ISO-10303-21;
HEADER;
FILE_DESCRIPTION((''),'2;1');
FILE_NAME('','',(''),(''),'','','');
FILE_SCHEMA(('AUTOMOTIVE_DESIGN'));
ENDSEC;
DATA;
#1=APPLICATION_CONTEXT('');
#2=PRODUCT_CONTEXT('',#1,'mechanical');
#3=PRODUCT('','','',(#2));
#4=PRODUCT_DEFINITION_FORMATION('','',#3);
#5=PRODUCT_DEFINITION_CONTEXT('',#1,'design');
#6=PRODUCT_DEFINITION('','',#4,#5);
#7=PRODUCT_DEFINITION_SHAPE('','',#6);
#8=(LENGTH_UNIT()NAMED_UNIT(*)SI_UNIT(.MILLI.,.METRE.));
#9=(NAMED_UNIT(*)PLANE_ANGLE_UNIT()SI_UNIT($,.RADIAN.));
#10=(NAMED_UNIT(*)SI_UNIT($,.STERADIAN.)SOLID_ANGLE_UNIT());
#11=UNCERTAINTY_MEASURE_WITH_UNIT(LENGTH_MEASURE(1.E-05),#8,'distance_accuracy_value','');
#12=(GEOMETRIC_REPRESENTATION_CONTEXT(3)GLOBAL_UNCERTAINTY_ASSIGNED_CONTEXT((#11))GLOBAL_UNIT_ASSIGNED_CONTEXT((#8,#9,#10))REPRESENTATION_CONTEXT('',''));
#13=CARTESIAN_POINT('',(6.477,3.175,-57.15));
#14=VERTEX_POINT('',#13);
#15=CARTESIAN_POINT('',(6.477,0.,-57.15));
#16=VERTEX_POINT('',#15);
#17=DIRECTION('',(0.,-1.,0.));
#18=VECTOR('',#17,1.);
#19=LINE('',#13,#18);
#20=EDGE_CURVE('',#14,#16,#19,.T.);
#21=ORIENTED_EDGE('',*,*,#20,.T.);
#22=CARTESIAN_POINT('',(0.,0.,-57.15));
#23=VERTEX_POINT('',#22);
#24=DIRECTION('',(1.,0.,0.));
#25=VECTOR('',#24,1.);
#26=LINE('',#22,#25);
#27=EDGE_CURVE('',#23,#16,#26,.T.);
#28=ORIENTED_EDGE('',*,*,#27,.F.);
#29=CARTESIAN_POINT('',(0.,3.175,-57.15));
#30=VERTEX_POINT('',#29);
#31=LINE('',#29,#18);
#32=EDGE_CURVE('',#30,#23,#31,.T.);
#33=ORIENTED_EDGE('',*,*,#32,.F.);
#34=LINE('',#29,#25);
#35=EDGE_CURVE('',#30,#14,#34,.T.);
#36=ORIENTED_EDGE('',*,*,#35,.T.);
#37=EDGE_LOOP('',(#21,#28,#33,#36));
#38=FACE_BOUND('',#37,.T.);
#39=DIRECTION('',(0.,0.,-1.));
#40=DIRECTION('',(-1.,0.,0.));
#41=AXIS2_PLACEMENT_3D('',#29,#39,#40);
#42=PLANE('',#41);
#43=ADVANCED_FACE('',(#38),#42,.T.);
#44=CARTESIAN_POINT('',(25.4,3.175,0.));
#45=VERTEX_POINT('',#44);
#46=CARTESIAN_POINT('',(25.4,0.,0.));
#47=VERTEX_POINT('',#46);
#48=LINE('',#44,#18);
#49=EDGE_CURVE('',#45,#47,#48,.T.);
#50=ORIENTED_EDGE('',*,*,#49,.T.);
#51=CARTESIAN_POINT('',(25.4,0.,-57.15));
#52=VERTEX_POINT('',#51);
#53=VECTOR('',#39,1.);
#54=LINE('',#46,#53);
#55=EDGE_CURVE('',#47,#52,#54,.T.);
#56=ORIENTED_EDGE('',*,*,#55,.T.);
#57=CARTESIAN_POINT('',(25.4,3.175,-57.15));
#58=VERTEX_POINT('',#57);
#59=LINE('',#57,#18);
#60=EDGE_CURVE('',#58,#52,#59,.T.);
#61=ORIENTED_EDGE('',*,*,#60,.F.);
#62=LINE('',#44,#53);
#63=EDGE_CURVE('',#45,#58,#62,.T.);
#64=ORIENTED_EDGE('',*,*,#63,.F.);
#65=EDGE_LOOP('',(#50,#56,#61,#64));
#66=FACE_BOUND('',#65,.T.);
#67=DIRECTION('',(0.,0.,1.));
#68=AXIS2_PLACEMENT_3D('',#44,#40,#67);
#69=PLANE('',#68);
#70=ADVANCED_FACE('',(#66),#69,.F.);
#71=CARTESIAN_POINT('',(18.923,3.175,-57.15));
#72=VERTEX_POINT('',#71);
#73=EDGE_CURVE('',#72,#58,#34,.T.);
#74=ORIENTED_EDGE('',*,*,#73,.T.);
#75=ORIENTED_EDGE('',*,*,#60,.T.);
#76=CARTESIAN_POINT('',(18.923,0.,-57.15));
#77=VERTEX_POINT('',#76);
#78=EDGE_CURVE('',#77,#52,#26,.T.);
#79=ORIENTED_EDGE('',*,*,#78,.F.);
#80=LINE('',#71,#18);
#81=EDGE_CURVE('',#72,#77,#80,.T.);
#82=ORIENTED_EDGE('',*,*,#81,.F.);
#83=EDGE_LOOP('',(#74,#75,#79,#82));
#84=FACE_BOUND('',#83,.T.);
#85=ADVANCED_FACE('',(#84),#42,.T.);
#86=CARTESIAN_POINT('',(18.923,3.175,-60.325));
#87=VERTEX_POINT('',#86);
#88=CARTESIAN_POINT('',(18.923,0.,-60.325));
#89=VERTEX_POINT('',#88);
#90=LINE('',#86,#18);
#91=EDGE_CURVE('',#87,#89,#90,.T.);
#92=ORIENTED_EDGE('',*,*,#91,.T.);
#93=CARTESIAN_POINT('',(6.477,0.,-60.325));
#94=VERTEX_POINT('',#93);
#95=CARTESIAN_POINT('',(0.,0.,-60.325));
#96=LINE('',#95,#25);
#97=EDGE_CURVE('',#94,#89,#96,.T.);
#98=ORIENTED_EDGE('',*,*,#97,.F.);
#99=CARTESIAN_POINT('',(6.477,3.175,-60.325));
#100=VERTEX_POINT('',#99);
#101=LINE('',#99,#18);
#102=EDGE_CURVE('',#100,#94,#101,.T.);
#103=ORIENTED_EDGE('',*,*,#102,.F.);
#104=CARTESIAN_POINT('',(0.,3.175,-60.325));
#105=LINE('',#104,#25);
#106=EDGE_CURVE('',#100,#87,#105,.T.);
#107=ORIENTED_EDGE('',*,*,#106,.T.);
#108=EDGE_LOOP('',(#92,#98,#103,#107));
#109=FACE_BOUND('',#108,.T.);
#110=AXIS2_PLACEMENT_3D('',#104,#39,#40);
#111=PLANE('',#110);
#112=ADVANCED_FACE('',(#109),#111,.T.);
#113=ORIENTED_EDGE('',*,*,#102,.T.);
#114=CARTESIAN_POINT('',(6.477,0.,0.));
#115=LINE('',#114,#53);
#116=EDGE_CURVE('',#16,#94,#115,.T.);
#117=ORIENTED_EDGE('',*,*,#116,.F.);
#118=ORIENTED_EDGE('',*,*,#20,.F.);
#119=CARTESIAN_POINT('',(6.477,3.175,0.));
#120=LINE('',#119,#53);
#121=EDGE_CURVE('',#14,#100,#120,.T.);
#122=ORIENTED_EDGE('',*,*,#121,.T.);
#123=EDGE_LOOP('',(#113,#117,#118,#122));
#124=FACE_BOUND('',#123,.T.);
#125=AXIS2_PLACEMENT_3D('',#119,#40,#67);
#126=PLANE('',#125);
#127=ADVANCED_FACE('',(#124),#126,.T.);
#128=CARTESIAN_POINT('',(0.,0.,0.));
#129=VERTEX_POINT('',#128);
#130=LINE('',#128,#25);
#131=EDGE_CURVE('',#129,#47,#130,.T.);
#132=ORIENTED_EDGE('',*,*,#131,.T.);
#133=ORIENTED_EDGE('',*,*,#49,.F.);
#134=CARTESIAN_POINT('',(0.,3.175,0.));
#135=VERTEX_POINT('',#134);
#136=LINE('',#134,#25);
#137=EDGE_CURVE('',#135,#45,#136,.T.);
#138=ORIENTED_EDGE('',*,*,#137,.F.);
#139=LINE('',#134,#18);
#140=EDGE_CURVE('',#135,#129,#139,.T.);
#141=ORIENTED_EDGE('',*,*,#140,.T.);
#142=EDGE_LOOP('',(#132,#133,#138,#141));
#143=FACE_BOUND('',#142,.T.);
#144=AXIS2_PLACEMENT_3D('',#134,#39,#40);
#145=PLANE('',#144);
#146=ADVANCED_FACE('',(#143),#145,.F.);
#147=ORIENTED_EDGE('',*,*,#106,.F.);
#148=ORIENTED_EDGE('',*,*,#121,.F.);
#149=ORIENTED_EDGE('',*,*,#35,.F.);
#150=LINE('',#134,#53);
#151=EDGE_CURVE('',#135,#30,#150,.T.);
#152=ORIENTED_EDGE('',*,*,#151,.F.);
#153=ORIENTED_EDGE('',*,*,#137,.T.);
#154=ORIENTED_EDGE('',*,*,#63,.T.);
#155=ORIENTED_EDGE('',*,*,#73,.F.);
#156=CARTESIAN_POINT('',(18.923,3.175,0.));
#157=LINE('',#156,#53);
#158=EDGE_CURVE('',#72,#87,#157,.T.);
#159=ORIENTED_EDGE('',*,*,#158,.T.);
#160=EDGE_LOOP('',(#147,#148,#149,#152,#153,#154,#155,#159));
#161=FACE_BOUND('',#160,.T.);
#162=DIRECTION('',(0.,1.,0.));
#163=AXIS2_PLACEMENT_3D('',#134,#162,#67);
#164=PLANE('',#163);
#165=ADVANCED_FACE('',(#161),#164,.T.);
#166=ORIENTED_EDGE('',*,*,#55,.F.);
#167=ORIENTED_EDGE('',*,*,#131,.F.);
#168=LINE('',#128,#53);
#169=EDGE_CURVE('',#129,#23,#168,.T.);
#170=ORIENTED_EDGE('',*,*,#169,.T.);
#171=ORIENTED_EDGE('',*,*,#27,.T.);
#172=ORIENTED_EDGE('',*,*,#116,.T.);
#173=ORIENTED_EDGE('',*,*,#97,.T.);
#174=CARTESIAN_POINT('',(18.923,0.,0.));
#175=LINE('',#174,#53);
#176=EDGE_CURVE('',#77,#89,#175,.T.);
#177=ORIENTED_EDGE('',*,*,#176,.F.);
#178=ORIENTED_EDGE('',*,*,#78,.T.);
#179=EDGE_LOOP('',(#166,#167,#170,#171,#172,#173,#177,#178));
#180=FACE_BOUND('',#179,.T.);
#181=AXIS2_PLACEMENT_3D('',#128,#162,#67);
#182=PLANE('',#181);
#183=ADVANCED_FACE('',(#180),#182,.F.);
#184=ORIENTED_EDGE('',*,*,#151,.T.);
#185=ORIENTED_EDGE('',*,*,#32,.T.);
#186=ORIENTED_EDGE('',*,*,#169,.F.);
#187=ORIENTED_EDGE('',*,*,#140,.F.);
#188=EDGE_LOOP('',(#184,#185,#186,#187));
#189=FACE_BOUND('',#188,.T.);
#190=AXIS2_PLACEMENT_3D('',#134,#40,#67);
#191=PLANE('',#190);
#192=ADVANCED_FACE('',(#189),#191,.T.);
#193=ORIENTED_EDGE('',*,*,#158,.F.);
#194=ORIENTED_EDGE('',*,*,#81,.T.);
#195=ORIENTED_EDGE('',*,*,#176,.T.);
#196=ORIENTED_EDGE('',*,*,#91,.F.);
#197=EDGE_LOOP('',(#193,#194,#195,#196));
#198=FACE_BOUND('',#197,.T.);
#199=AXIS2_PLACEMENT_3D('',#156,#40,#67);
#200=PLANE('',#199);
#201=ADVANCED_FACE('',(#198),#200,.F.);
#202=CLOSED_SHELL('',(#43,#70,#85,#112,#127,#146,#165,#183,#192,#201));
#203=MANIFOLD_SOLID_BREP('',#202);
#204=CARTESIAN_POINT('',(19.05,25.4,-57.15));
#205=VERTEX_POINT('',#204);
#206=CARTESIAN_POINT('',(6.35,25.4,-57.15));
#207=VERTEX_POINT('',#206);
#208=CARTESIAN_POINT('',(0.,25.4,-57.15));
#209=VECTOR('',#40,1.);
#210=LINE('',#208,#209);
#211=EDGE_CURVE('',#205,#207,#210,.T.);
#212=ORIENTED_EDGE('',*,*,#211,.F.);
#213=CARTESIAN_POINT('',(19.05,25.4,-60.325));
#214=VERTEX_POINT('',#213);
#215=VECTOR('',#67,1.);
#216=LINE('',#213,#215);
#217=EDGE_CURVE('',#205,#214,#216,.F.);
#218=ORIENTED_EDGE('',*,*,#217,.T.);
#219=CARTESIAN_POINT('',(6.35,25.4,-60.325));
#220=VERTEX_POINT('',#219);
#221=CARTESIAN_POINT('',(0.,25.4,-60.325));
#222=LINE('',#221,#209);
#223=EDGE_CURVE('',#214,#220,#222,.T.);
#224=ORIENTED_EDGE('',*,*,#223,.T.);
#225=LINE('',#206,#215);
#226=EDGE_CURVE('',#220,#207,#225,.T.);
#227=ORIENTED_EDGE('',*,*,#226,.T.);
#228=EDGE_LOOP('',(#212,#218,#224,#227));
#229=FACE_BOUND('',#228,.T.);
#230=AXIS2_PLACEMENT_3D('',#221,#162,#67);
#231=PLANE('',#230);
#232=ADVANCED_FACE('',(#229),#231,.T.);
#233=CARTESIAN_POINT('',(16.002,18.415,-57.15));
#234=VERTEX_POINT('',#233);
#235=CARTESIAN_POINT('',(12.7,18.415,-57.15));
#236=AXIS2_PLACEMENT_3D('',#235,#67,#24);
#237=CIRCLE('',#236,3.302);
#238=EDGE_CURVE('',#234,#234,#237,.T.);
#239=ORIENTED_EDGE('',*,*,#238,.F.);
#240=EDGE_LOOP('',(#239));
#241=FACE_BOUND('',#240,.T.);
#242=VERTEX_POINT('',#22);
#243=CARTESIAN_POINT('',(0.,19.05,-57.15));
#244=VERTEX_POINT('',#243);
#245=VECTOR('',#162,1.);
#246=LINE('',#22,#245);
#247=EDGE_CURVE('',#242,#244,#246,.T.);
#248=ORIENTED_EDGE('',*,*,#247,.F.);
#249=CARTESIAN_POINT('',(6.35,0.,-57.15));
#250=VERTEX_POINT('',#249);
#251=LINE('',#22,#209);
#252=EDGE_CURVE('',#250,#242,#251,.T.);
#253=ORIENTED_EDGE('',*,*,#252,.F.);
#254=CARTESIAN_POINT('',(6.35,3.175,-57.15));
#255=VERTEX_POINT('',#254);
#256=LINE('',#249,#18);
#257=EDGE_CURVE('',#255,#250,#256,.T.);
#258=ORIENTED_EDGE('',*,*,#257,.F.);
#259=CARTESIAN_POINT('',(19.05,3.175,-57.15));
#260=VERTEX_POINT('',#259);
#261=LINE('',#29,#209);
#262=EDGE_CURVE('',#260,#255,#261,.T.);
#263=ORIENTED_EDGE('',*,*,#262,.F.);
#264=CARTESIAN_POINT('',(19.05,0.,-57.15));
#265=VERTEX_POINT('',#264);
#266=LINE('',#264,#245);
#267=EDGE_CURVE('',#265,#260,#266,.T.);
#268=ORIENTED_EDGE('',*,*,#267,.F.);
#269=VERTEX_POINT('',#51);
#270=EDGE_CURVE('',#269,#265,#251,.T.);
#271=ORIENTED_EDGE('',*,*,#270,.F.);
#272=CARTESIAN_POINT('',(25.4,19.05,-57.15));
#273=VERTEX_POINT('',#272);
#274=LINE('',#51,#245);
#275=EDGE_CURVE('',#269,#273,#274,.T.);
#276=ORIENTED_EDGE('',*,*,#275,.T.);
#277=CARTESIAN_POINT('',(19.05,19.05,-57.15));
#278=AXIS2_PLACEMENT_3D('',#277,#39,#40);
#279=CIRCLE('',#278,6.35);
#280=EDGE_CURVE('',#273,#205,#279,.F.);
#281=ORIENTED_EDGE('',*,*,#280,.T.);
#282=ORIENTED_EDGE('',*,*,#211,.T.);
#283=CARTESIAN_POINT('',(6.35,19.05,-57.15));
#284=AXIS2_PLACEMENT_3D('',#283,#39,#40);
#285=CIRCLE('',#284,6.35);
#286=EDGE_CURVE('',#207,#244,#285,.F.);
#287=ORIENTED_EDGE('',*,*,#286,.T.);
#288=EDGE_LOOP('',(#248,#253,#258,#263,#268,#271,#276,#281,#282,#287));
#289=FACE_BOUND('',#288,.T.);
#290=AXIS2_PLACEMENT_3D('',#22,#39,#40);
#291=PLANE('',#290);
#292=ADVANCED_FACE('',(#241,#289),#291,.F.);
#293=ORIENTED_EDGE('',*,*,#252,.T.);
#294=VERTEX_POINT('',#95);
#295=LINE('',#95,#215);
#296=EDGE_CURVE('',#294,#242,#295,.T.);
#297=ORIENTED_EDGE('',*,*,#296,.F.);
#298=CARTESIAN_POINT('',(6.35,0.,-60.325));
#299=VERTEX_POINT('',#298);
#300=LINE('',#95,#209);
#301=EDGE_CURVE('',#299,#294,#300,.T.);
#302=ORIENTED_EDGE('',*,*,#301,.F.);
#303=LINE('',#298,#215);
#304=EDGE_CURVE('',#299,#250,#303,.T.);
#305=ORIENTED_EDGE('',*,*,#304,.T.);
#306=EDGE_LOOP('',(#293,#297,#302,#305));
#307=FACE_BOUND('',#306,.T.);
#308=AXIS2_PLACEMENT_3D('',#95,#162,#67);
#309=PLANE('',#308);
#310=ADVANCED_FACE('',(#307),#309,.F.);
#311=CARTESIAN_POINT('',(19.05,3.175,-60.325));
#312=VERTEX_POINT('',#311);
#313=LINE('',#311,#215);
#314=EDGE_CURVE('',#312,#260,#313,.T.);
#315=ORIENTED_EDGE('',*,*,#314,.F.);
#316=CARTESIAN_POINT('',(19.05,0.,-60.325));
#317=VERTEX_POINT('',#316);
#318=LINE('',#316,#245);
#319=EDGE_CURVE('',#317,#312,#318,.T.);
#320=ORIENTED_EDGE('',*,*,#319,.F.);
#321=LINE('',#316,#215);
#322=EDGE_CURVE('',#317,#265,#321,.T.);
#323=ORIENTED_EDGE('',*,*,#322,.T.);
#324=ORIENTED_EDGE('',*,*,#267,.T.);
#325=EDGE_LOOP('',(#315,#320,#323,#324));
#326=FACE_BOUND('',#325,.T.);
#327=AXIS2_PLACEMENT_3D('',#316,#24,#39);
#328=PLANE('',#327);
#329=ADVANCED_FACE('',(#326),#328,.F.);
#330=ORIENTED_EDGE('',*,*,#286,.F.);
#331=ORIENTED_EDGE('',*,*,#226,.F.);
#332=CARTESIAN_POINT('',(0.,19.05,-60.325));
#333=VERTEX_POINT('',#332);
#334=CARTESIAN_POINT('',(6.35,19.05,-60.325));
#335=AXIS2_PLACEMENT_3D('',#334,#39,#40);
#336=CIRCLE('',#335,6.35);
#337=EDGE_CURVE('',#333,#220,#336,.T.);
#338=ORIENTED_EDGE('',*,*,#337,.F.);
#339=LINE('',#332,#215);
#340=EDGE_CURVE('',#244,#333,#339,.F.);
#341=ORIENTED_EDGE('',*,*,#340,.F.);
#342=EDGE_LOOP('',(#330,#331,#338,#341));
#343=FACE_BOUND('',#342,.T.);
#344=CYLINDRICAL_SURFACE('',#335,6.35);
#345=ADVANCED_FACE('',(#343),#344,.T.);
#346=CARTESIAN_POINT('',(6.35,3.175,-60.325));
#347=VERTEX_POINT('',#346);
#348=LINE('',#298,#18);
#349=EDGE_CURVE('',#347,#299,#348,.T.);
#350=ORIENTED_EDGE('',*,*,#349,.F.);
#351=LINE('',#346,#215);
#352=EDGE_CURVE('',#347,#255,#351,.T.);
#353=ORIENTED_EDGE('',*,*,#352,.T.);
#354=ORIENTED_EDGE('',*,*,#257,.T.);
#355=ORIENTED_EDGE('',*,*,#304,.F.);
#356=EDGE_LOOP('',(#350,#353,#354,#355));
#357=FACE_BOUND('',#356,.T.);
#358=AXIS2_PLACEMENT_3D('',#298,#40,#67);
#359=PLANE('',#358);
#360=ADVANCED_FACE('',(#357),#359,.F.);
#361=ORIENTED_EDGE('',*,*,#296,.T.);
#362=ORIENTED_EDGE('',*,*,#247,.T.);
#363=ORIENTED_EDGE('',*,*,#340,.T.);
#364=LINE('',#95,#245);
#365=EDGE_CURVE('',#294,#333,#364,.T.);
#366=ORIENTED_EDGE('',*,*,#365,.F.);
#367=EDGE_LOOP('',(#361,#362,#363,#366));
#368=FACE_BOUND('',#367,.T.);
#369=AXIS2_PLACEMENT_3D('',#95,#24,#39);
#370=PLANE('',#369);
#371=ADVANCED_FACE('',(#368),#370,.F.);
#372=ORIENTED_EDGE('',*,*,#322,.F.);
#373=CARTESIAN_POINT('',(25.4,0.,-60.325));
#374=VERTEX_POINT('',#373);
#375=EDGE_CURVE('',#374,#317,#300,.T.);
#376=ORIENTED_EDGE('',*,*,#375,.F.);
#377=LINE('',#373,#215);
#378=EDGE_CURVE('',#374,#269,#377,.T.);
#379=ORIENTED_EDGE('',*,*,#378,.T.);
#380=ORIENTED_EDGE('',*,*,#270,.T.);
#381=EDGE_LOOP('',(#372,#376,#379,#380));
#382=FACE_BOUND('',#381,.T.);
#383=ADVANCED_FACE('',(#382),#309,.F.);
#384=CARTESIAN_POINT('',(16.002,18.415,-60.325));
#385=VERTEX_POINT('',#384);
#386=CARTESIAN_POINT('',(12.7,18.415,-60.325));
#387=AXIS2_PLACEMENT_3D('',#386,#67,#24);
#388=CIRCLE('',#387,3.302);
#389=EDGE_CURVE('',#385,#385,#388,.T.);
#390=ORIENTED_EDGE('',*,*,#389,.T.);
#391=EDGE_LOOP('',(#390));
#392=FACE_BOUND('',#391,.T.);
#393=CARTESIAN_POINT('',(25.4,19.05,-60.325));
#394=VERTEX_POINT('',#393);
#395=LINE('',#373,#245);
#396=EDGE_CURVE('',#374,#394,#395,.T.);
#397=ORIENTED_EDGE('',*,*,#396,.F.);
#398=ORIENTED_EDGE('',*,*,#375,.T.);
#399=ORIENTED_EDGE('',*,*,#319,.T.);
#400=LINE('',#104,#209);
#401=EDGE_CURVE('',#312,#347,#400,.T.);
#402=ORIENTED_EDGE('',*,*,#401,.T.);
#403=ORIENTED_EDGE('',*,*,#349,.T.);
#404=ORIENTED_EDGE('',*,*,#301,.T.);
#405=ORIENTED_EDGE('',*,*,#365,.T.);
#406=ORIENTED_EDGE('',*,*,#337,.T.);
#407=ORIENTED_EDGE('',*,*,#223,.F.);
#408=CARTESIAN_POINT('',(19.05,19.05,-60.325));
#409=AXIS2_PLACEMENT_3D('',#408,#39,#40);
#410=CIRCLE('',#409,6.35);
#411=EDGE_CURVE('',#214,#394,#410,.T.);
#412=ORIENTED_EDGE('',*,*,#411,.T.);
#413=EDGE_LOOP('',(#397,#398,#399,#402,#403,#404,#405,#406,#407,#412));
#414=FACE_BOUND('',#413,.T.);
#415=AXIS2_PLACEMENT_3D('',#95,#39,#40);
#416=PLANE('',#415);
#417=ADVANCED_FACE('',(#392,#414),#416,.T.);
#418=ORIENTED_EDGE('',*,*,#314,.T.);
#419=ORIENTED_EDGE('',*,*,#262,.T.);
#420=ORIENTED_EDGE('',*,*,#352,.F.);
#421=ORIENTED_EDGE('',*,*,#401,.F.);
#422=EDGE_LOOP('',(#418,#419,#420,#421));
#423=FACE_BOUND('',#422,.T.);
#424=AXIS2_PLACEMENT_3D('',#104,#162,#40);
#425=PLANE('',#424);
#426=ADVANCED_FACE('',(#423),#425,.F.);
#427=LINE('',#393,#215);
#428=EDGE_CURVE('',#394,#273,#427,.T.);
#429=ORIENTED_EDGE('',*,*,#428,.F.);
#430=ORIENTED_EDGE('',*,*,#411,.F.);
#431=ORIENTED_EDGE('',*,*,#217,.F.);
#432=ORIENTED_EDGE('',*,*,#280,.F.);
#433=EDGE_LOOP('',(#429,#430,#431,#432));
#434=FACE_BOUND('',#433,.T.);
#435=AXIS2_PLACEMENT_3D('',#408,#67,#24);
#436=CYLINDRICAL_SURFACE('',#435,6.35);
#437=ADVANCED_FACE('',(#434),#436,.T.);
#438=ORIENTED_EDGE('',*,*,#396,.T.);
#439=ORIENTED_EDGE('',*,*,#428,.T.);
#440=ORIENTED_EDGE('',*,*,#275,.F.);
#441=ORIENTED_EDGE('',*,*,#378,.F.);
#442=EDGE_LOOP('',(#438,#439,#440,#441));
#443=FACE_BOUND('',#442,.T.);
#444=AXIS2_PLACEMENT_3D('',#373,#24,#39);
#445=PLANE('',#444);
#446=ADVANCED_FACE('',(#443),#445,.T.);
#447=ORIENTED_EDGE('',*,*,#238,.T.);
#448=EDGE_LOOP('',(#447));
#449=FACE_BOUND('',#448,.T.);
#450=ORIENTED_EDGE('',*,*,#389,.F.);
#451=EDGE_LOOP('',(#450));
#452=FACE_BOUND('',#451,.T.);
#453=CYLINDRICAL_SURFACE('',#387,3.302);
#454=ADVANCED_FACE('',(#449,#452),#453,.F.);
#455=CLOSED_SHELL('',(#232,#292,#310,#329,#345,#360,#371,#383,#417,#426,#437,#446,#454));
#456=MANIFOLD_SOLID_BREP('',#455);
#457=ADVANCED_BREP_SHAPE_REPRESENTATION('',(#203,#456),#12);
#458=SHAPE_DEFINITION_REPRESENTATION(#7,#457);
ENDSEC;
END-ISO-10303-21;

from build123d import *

# Parameters (mm, degrees)
SKETCH1_W           = 25.4
SKETCH1_H           = 57.15
SKETCH1_W_2         = 12.446
SKETCH1_H_2         = 3.175
BOSS_EXTRUDE1_DEPTH = 3.175
SKETCH2_W           = 6.35
SKETCH2_H           = 3.175
BOSS_EXTRUDE2_DEPTH = 3.175
SKETCH3_R           = 3.302
CUT_EXTRUDE1_DEPTH  = 68.501425911
FILLET1_R           = 6.35


with BuildPart() as part:
    # Sketch1 → Boss-Extrude1 (new body)
    with BuildSketch(Plane(origin=(0, 0, 0), x_dir=(1, 0, 0), z_dir=(0, 1, 0))):
        with Locations((12.7, 28.575)):
            Rectangle(SKETCH1_W, SKETCH1_H)
        with Locations((12.7, 58.7375)):
            Rectangle(SKETCH1_W_2, SKETCH1_H_2)
    extrude(amount=BOSS_EXTRUDE1_DEPTH)


with BuildPart() as body_2:
    # Sketch2 → Boss-Extrude2 (new body)
    with BuildSketch(Plane(origin=(0, 0, -57.15), x_dir=(-1, 0, 0), z_dir=(0, 0, -1))):
        Polygon((-25.4, 0), (-19.05, 0), (-19.05, 3.175), (-6.477, 3.175), (-6.35, 3.175), (0, 3.175), (0, 25.4), (-25.4, 25.4), align=None)
        with Locations((-3.175, 1.5875)):
            Rectangle(SKETCH2_W, SKETCH2_H)
    extrude(amount=BOSS_EXTRUDE2_DEPTH)

    # Sketch3 → Cut-Extrude1 (cut, through all)
    with BuildSketch(Plane.XY.offset(-57.15)):
        with Locations((12.7, 18.415)):
            Circle(SKETCH3_R)
    extrude(amount=-CUT_EXTRUDE1_DEPTH, mode=Mode.SUBTRACT)

    # Fillet1
    fillet1_edges = [body_2.edges().sort_by_distance(p)[0] for p in [
        (25.4, 25.4, -58.7375),
        (0, 25.4, -58.7375),
    ]]
    fillet(fillet1_edges, radius=FILLET1_R)


solid = Compound([part.part, body_2.part])
